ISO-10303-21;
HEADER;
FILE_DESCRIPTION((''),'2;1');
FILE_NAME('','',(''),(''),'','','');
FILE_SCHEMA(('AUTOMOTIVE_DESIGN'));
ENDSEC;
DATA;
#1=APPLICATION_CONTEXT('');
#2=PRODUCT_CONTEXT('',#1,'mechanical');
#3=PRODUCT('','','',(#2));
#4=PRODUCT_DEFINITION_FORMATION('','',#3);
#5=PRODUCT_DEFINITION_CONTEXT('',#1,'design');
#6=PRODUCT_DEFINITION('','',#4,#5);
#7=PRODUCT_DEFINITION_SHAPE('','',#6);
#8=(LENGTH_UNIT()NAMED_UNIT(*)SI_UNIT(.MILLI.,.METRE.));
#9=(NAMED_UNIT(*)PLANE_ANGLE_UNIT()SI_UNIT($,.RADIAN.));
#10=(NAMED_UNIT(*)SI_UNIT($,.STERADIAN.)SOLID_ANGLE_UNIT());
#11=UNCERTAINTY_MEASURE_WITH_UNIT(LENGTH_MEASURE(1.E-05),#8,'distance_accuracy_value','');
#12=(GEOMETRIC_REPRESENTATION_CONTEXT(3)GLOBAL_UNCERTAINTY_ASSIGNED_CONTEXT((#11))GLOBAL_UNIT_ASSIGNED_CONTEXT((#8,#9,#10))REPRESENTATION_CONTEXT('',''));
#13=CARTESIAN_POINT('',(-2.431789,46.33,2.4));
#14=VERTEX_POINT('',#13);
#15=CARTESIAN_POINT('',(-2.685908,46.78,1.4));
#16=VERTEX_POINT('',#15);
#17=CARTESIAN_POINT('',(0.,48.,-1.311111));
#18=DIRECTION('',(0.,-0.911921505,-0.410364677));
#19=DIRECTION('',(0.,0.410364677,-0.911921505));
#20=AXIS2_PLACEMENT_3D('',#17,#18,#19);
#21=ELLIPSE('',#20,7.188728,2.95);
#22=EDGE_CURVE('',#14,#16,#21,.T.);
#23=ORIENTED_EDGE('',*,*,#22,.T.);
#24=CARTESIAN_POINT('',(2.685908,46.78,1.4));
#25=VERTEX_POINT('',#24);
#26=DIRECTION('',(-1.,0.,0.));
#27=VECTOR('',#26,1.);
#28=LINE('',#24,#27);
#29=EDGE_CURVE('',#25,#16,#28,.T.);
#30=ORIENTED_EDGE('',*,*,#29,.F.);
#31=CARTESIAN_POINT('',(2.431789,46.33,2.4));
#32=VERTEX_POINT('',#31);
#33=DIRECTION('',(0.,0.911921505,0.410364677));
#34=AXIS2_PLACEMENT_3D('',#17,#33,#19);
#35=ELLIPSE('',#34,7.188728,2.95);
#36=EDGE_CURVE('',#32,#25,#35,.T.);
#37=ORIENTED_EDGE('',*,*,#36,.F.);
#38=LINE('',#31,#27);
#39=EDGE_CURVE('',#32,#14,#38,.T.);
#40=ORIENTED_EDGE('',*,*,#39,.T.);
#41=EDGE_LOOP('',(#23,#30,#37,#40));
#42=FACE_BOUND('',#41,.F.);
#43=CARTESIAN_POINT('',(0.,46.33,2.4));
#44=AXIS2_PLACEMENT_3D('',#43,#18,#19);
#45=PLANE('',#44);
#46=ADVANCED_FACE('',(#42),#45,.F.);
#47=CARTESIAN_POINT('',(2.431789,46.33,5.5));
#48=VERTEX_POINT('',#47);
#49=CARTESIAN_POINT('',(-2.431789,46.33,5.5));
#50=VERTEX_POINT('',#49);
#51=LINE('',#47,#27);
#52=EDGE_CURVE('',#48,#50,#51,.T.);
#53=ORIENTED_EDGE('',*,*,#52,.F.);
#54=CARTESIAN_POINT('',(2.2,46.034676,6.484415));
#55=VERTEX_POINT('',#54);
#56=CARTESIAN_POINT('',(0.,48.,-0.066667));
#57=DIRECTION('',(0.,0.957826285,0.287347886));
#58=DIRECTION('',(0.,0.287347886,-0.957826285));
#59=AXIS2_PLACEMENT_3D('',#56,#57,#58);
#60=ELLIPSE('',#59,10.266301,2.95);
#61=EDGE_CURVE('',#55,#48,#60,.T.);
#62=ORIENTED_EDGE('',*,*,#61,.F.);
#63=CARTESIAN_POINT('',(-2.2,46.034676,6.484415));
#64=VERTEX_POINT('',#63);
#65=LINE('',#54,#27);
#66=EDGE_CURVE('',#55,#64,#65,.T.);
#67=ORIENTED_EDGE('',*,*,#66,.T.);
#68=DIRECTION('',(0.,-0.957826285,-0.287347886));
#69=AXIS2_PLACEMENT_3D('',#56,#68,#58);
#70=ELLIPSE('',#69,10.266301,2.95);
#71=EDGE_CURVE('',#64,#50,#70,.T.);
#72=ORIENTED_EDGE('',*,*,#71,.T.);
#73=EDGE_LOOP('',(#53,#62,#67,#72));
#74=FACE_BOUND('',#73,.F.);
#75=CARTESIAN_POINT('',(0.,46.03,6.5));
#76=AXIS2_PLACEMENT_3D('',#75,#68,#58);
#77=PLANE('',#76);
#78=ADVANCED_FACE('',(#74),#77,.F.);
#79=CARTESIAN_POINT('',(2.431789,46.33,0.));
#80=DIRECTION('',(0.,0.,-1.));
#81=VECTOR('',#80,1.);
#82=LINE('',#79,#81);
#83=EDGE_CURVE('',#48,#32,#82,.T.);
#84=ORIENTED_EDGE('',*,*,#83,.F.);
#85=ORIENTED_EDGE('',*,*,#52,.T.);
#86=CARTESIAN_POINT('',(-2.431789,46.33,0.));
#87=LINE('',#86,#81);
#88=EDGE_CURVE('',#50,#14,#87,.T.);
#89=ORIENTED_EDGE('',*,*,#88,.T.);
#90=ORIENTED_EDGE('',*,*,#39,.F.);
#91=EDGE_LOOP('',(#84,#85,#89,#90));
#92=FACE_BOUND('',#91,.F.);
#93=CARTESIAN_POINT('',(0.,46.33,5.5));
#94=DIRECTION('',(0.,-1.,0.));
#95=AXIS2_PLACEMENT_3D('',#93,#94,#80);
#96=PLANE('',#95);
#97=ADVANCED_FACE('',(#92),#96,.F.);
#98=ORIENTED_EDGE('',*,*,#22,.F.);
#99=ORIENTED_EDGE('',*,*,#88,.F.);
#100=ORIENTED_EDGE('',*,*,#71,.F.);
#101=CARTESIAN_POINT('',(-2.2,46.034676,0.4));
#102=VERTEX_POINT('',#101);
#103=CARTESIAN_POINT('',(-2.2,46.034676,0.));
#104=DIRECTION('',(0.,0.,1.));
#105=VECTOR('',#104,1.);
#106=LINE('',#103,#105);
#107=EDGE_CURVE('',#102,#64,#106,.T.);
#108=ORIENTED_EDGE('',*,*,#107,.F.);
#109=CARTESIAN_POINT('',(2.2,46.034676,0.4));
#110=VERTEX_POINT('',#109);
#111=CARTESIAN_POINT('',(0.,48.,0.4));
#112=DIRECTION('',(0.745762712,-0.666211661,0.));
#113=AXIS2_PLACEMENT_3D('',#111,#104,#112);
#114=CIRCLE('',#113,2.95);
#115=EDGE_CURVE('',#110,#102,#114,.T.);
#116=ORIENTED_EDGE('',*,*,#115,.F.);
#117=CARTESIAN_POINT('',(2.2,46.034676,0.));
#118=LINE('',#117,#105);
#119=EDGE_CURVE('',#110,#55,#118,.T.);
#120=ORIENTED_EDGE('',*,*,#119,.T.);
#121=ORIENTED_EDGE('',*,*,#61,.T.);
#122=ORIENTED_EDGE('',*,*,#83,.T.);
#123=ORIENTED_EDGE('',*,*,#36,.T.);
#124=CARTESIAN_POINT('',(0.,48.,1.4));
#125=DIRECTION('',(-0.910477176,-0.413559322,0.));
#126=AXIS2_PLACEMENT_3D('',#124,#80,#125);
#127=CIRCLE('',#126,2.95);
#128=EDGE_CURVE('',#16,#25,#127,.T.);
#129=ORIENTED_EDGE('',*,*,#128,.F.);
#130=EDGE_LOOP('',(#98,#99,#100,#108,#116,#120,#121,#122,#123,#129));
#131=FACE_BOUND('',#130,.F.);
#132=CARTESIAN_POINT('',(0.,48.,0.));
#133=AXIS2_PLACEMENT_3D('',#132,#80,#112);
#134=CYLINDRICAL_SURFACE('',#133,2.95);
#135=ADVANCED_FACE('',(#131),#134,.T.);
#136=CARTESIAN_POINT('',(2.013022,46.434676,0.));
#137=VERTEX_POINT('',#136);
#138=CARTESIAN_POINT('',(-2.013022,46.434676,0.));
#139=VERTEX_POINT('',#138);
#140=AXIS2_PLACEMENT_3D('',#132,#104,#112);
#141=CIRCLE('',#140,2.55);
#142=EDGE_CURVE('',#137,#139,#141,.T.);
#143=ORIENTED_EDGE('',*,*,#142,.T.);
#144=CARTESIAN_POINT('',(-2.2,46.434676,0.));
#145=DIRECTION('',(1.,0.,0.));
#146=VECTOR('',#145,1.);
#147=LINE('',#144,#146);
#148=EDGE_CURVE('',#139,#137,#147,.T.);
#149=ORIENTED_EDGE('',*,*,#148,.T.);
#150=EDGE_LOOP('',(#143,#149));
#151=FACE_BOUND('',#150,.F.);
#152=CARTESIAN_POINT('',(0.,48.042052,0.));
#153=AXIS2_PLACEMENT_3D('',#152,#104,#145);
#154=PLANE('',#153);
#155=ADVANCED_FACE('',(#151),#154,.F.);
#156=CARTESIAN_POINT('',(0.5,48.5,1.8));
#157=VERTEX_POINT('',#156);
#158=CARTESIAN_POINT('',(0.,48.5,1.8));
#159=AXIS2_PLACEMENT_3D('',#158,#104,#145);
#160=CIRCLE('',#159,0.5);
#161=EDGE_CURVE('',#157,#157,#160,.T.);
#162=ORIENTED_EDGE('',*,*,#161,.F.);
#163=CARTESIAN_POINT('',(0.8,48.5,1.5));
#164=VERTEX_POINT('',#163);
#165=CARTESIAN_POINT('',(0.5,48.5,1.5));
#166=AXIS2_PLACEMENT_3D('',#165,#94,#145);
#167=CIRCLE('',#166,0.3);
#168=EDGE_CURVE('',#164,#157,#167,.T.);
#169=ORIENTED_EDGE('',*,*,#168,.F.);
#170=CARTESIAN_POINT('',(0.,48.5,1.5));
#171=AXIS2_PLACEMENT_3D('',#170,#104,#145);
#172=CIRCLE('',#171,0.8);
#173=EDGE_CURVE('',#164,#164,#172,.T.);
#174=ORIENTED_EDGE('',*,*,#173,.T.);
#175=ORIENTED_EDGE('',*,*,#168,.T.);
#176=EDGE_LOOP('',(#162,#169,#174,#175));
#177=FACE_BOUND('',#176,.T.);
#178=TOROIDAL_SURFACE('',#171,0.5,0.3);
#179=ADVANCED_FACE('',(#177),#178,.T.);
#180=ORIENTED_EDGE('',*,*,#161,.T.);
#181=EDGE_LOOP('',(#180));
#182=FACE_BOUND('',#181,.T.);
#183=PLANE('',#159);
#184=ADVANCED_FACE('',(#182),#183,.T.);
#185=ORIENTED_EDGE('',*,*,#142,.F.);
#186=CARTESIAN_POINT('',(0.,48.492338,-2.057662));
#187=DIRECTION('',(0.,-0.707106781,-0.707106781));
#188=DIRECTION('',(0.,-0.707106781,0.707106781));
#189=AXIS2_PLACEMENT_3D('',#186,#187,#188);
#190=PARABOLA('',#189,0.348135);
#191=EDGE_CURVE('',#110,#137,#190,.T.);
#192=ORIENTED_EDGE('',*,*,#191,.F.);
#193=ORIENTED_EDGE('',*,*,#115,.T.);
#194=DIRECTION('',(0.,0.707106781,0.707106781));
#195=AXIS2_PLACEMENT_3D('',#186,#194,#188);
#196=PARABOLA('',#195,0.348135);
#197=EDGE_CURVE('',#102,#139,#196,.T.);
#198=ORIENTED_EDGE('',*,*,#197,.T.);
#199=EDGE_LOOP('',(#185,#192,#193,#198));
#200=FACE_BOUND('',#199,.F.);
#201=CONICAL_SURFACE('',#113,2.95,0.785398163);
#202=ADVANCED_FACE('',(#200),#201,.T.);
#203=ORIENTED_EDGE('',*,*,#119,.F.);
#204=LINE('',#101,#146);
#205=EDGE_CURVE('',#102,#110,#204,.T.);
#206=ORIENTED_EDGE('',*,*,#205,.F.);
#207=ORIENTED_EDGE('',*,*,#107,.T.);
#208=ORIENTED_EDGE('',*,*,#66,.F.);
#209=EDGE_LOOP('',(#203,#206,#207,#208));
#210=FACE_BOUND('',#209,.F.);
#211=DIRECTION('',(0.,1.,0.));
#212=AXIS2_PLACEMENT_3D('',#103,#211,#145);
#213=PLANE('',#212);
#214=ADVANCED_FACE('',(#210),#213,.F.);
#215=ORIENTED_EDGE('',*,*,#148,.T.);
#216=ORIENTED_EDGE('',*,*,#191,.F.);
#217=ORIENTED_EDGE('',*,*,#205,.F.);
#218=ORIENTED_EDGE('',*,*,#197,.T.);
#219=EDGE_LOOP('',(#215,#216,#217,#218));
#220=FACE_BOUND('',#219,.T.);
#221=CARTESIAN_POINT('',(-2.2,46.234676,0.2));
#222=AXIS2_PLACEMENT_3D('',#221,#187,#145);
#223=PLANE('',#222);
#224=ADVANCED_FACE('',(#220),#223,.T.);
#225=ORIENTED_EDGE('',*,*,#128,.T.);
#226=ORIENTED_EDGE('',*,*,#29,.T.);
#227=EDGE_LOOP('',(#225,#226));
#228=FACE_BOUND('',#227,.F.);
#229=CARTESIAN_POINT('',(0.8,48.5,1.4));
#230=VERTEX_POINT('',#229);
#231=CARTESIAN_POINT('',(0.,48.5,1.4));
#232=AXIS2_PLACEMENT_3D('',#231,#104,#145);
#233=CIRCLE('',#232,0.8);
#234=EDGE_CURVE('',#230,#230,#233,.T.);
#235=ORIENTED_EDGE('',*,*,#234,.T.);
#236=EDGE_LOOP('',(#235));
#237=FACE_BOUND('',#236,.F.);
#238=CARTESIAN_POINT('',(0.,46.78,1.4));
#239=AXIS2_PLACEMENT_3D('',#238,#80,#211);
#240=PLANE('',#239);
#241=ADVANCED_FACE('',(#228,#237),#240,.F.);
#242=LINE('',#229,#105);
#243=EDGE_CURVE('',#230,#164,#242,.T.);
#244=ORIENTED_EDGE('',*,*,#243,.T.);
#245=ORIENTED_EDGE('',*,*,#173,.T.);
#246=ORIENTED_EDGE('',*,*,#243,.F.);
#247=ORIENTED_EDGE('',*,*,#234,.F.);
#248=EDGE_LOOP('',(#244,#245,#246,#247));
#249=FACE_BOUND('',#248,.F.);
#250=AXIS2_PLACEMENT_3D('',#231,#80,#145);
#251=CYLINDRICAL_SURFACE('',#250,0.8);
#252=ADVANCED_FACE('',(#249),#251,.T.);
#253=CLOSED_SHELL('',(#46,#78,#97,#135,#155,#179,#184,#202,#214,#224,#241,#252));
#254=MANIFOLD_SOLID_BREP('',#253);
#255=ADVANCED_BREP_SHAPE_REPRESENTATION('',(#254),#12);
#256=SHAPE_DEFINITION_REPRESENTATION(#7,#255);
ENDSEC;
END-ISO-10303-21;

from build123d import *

# Parameters (mm, degrees)
PAD008_DEPTH         = 6.5
POCKET007_DEPTH      = 2.951
POCKET007_DEPTH_BACK = 2.951
SKETCH023_R          = 0.8
PAD009_DEPTH         = 0.4
FILLET001_R          = 0.3
CHAMFER007_SIZE      = 0.4


with BuildPart() as part:
    # Sketch022 → Pad008 (new body)
    with BuildSketch(Plane.XY):
        with BuildLine():
            ThreePointArc((2.2, -1.9653244007), (0, 2.95), (-2.2, -1.9653244007))
            Line((-2.2, -1.9653244007), (2.2, -1.9653244007))
        make_face()
    extrude(amount=PAD008_DEPTH)

    # Sketch024 → Pocket007 (cut, two sides)
    with BuildSketch(Plane.YZ) as pocket007_sk:
        Polygon((-1.97, 6.5), (-1.67, 5.5), (-1.67, 2.4), (-1.22, 1.4), (4, 1.4), (4, 6.5), align=None)
    extrude(amount=-POCKET007_DEPTH, mode=Mode.SUBTRACT)
    extrude(pocket007_sk.sketch, amount=POCKET007_DEPTH_BACK, mode=Mode.SUBTRACT)

    # Sketch023 (on Face7 of Pocket007) → Pad009 (join)
    with BuildSketch(Plane.XY.offset(1.4)):
        with Locations((0, 0.5)):
            Circle(SKETCH023_R)
    extrude(amount=PAD009_DEPTH)

    # Fillet001
    fillet001_edges = [part.edges().sort_by_distance(p)[0] for p in [
        (-0.8, 0.5, 1.8),
    ]]
    fillet(fillet001_edges, radius=FILLET001_R)

    # Chamfer007
    chamfer007_edges = [part.edges().sort_by_distance(p)[0] for p in [
        (0, 2.95, 0),
        (0, -1.965324, 0),
    ]]
    chamfer(chamfer007_edges, length=CHAMFER007_SIZE)


with BuildPart() as part_1:
    # Body088 placement: moved
    add(part.part.moved(Location((0, 48, 0))))


solid = part_1.part
